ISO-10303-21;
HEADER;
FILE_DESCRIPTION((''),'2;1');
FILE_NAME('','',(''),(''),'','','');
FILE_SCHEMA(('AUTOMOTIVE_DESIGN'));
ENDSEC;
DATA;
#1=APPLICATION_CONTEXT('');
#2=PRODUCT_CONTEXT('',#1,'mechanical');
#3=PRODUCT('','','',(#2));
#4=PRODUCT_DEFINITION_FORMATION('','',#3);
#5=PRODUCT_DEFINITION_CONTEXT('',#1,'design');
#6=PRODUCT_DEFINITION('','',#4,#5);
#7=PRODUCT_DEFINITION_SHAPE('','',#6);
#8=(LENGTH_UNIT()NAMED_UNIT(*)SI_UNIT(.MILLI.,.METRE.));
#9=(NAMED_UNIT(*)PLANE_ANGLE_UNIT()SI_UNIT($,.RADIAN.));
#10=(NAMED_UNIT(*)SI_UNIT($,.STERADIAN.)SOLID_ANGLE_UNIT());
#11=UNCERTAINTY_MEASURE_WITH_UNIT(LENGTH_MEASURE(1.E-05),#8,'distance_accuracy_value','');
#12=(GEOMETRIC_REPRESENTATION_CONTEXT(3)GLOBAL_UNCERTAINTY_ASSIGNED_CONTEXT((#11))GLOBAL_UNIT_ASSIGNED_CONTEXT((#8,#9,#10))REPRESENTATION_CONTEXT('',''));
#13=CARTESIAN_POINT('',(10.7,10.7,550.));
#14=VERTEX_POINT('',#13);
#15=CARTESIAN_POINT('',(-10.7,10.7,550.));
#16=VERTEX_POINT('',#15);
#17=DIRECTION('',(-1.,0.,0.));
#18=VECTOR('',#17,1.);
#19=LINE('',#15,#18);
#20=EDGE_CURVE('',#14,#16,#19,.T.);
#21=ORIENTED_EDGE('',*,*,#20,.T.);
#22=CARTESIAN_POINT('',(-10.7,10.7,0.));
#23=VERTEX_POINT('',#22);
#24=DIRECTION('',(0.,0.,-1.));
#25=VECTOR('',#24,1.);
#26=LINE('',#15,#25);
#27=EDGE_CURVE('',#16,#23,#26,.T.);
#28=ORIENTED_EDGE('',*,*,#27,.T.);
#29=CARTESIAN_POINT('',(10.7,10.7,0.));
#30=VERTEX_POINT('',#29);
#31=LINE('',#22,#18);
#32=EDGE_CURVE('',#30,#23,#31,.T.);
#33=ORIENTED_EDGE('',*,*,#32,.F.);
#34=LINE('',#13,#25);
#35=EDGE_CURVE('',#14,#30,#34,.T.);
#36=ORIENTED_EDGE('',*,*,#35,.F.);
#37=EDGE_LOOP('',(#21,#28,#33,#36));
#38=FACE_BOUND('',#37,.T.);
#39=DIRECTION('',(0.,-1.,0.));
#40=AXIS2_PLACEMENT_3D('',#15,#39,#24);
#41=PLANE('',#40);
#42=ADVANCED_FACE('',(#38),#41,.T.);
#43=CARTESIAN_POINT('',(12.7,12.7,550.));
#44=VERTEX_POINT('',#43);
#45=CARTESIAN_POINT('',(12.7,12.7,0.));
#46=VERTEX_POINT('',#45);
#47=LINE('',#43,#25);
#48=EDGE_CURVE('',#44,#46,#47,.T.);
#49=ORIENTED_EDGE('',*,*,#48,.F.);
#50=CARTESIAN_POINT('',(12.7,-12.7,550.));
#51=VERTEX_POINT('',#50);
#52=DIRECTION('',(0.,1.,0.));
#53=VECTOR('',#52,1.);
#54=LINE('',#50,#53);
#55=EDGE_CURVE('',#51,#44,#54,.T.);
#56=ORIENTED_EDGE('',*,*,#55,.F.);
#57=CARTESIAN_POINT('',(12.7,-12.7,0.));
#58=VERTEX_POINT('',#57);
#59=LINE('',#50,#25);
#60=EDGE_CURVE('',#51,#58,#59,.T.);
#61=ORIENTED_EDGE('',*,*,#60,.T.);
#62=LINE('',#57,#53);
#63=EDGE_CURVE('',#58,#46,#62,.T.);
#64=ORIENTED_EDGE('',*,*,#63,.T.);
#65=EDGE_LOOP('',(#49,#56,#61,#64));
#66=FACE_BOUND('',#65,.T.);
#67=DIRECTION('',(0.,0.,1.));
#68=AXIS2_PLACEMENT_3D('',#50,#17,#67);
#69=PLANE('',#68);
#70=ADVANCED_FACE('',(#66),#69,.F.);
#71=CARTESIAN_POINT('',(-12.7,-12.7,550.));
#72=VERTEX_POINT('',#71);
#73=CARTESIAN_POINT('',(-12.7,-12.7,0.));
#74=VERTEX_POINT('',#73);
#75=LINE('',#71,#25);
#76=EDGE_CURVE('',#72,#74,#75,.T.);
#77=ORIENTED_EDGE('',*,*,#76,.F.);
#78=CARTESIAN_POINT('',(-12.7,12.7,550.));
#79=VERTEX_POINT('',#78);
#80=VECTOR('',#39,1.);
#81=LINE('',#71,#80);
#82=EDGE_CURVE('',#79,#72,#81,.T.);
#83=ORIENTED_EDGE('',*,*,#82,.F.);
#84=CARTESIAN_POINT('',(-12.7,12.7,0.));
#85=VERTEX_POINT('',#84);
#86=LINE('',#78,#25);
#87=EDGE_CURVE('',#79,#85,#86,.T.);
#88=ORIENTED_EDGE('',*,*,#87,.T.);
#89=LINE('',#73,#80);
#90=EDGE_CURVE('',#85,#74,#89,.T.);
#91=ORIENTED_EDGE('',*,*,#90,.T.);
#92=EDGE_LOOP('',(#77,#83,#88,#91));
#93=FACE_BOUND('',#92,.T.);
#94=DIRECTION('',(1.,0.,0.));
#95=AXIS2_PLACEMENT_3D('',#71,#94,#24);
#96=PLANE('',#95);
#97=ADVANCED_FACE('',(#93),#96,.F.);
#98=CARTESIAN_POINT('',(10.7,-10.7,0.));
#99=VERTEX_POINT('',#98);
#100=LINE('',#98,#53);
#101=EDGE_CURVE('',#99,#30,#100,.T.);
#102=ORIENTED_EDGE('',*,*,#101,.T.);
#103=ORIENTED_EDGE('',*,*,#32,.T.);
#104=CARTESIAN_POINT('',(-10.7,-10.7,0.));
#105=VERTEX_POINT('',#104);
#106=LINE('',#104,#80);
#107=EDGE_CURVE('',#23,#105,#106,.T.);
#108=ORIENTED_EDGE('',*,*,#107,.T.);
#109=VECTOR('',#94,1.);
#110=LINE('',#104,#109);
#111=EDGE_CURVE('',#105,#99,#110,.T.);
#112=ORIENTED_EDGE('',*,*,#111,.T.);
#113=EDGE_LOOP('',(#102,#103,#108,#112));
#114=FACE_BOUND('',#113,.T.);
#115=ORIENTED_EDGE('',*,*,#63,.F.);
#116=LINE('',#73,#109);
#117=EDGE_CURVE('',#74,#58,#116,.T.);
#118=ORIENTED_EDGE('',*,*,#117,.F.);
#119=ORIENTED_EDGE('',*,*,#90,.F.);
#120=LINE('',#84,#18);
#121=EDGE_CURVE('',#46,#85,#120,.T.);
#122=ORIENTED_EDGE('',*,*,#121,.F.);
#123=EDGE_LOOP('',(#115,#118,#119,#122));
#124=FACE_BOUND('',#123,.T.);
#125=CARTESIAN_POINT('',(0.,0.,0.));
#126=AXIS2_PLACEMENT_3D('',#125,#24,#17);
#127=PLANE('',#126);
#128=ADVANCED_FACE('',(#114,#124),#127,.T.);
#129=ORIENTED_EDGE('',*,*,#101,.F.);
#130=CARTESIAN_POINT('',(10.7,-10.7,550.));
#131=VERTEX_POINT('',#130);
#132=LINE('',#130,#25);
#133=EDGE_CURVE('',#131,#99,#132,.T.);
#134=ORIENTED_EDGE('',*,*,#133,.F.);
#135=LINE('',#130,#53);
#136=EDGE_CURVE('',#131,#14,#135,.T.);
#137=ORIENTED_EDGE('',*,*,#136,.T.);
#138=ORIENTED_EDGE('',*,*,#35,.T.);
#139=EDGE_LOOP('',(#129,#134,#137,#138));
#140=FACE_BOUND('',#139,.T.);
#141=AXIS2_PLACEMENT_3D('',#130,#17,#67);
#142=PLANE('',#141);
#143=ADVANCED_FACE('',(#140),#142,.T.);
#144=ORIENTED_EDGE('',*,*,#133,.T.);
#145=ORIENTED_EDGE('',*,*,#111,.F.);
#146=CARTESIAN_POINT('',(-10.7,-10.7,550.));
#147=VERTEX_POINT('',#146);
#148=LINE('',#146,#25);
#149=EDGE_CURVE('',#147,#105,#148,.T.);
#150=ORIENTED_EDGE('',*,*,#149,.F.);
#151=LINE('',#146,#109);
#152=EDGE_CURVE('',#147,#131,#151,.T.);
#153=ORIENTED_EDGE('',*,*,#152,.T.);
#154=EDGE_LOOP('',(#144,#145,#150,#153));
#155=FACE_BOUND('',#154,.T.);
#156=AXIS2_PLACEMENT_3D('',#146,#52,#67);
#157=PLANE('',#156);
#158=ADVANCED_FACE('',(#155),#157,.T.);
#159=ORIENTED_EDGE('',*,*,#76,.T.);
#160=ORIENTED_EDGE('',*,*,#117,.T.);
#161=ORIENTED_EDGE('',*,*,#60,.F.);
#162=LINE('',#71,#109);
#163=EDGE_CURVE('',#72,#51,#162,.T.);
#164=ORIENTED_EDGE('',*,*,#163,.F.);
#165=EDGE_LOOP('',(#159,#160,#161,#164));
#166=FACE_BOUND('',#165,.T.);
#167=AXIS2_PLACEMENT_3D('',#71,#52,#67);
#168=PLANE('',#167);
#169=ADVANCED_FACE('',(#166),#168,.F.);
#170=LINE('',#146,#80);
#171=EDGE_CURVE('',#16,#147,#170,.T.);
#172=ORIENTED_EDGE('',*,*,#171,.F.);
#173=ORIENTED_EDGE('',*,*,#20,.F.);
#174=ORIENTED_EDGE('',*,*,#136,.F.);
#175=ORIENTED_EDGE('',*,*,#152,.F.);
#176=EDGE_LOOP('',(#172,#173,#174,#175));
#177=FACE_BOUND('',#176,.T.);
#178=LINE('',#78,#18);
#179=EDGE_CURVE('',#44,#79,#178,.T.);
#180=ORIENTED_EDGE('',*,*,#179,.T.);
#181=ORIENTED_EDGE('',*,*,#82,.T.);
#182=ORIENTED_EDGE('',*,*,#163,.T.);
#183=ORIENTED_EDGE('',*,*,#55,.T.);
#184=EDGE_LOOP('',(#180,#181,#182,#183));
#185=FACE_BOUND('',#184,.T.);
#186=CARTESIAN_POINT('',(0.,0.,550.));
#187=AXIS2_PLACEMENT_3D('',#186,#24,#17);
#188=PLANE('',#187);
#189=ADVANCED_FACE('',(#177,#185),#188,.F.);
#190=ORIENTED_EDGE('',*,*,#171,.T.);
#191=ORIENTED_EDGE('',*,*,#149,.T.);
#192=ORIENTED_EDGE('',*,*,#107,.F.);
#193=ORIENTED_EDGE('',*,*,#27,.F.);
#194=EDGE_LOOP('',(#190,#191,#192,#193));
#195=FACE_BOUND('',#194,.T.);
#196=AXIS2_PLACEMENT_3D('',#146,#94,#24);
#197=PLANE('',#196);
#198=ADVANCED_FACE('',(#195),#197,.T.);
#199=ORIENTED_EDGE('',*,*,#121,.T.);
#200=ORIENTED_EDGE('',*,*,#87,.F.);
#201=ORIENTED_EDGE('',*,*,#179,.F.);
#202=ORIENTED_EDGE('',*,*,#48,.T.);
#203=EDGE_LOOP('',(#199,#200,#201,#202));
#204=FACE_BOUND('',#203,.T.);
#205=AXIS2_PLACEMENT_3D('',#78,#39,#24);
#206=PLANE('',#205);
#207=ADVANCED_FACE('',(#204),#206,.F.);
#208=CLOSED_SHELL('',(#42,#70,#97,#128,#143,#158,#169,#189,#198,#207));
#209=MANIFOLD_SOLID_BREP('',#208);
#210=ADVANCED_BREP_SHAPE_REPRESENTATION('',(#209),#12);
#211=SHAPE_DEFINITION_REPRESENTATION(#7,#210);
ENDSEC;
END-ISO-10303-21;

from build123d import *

# Parameters (mm, degrees)
SKETCH1_W           = 25.4
SKETCH1_H           = 25.4
SKETCH1_W_2         = 21.4
SKETCH1_H_2         = 21.4
BOSS_EXTRUDE1_DEPTH = 550


with BuildPart() as part:
    # Sketch1 → Boss-Extrude1 (new body)
    with BuildSketch(Plane.XY):
        Rectangle(SKETCH1_W, SKETCH1_H)
        Rectangle(SKETCH1_W_2, SKETCH1_H_2, mode=Mode.SUBTRACT)
    extrude(amount=BOSS_EXTRUDE1_DEPTH)


solid = part.part
